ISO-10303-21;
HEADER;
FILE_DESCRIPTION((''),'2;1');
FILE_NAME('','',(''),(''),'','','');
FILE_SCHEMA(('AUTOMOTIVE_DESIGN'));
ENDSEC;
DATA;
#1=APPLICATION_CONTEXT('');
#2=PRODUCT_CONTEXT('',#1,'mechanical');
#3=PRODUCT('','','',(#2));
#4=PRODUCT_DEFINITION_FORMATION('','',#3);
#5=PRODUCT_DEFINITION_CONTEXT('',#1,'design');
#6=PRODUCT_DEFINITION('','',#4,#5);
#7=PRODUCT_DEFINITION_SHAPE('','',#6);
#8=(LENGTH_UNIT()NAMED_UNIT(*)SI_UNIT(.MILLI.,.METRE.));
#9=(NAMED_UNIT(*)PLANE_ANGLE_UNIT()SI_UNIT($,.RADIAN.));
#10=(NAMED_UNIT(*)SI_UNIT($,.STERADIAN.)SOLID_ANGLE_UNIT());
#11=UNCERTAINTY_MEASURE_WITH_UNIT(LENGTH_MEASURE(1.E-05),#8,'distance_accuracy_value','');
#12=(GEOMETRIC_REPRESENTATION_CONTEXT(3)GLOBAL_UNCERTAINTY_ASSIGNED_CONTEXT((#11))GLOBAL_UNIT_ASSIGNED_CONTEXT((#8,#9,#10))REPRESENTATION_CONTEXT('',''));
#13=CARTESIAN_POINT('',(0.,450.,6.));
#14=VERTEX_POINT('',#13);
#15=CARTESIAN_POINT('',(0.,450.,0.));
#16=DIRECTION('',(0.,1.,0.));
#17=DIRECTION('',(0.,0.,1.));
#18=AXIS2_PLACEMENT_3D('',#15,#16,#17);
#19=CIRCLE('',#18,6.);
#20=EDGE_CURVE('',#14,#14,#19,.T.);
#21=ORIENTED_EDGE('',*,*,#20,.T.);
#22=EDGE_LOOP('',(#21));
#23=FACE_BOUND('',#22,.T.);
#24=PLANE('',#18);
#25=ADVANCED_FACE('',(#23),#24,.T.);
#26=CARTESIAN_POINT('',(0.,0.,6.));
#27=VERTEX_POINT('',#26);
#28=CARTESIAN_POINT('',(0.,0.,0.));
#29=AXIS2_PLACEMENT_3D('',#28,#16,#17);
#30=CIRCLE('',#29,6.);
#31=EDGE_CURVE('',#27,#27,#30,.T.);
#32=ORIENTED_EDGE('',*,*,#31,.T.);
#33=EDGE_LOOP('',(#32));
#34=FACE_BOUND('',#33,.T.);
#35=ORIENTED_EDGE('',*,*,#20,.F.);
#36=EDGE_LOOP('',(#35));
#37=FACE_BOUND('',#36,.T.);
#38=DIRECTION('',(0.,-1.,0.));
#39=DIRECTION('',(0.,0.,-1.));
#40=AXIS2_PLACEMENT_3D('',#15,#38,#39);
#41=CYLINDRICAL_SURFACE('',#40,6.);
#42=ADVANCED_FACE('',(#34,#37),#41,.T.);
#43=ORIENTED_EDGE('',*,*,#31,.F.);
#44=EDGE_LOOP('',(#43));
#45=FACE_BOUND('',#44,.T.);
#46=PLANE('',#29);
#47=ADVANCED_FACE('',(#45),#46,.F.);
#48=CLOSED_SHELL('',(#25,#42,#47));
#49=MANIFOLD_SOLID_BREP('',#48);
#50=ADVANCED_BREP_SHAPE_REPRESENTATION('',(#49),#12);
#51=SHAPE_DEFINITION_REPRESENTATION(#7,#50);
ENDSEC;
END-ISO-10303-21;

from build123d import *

# Parameters (mm, degrees)
SKETCH_1_R      = 6
EXTRUDE_1_DEPTH = 450


with BuildPart() as part:
    # Эскиз1 → Бобышка-Вытянуть1 (new body)
    with BuildSketch(Plane(origin=(0, 0, 0), x_dir=(1, 0, 0), z_dir=(0, 1, 0))):
        with Locations(Location((0, 0, 0), (0, 0, 270))):
            Circle(SKETCH_1_R)
    extrude(amount=EXTRUDE_1_DEPTH)


solid = part.part
